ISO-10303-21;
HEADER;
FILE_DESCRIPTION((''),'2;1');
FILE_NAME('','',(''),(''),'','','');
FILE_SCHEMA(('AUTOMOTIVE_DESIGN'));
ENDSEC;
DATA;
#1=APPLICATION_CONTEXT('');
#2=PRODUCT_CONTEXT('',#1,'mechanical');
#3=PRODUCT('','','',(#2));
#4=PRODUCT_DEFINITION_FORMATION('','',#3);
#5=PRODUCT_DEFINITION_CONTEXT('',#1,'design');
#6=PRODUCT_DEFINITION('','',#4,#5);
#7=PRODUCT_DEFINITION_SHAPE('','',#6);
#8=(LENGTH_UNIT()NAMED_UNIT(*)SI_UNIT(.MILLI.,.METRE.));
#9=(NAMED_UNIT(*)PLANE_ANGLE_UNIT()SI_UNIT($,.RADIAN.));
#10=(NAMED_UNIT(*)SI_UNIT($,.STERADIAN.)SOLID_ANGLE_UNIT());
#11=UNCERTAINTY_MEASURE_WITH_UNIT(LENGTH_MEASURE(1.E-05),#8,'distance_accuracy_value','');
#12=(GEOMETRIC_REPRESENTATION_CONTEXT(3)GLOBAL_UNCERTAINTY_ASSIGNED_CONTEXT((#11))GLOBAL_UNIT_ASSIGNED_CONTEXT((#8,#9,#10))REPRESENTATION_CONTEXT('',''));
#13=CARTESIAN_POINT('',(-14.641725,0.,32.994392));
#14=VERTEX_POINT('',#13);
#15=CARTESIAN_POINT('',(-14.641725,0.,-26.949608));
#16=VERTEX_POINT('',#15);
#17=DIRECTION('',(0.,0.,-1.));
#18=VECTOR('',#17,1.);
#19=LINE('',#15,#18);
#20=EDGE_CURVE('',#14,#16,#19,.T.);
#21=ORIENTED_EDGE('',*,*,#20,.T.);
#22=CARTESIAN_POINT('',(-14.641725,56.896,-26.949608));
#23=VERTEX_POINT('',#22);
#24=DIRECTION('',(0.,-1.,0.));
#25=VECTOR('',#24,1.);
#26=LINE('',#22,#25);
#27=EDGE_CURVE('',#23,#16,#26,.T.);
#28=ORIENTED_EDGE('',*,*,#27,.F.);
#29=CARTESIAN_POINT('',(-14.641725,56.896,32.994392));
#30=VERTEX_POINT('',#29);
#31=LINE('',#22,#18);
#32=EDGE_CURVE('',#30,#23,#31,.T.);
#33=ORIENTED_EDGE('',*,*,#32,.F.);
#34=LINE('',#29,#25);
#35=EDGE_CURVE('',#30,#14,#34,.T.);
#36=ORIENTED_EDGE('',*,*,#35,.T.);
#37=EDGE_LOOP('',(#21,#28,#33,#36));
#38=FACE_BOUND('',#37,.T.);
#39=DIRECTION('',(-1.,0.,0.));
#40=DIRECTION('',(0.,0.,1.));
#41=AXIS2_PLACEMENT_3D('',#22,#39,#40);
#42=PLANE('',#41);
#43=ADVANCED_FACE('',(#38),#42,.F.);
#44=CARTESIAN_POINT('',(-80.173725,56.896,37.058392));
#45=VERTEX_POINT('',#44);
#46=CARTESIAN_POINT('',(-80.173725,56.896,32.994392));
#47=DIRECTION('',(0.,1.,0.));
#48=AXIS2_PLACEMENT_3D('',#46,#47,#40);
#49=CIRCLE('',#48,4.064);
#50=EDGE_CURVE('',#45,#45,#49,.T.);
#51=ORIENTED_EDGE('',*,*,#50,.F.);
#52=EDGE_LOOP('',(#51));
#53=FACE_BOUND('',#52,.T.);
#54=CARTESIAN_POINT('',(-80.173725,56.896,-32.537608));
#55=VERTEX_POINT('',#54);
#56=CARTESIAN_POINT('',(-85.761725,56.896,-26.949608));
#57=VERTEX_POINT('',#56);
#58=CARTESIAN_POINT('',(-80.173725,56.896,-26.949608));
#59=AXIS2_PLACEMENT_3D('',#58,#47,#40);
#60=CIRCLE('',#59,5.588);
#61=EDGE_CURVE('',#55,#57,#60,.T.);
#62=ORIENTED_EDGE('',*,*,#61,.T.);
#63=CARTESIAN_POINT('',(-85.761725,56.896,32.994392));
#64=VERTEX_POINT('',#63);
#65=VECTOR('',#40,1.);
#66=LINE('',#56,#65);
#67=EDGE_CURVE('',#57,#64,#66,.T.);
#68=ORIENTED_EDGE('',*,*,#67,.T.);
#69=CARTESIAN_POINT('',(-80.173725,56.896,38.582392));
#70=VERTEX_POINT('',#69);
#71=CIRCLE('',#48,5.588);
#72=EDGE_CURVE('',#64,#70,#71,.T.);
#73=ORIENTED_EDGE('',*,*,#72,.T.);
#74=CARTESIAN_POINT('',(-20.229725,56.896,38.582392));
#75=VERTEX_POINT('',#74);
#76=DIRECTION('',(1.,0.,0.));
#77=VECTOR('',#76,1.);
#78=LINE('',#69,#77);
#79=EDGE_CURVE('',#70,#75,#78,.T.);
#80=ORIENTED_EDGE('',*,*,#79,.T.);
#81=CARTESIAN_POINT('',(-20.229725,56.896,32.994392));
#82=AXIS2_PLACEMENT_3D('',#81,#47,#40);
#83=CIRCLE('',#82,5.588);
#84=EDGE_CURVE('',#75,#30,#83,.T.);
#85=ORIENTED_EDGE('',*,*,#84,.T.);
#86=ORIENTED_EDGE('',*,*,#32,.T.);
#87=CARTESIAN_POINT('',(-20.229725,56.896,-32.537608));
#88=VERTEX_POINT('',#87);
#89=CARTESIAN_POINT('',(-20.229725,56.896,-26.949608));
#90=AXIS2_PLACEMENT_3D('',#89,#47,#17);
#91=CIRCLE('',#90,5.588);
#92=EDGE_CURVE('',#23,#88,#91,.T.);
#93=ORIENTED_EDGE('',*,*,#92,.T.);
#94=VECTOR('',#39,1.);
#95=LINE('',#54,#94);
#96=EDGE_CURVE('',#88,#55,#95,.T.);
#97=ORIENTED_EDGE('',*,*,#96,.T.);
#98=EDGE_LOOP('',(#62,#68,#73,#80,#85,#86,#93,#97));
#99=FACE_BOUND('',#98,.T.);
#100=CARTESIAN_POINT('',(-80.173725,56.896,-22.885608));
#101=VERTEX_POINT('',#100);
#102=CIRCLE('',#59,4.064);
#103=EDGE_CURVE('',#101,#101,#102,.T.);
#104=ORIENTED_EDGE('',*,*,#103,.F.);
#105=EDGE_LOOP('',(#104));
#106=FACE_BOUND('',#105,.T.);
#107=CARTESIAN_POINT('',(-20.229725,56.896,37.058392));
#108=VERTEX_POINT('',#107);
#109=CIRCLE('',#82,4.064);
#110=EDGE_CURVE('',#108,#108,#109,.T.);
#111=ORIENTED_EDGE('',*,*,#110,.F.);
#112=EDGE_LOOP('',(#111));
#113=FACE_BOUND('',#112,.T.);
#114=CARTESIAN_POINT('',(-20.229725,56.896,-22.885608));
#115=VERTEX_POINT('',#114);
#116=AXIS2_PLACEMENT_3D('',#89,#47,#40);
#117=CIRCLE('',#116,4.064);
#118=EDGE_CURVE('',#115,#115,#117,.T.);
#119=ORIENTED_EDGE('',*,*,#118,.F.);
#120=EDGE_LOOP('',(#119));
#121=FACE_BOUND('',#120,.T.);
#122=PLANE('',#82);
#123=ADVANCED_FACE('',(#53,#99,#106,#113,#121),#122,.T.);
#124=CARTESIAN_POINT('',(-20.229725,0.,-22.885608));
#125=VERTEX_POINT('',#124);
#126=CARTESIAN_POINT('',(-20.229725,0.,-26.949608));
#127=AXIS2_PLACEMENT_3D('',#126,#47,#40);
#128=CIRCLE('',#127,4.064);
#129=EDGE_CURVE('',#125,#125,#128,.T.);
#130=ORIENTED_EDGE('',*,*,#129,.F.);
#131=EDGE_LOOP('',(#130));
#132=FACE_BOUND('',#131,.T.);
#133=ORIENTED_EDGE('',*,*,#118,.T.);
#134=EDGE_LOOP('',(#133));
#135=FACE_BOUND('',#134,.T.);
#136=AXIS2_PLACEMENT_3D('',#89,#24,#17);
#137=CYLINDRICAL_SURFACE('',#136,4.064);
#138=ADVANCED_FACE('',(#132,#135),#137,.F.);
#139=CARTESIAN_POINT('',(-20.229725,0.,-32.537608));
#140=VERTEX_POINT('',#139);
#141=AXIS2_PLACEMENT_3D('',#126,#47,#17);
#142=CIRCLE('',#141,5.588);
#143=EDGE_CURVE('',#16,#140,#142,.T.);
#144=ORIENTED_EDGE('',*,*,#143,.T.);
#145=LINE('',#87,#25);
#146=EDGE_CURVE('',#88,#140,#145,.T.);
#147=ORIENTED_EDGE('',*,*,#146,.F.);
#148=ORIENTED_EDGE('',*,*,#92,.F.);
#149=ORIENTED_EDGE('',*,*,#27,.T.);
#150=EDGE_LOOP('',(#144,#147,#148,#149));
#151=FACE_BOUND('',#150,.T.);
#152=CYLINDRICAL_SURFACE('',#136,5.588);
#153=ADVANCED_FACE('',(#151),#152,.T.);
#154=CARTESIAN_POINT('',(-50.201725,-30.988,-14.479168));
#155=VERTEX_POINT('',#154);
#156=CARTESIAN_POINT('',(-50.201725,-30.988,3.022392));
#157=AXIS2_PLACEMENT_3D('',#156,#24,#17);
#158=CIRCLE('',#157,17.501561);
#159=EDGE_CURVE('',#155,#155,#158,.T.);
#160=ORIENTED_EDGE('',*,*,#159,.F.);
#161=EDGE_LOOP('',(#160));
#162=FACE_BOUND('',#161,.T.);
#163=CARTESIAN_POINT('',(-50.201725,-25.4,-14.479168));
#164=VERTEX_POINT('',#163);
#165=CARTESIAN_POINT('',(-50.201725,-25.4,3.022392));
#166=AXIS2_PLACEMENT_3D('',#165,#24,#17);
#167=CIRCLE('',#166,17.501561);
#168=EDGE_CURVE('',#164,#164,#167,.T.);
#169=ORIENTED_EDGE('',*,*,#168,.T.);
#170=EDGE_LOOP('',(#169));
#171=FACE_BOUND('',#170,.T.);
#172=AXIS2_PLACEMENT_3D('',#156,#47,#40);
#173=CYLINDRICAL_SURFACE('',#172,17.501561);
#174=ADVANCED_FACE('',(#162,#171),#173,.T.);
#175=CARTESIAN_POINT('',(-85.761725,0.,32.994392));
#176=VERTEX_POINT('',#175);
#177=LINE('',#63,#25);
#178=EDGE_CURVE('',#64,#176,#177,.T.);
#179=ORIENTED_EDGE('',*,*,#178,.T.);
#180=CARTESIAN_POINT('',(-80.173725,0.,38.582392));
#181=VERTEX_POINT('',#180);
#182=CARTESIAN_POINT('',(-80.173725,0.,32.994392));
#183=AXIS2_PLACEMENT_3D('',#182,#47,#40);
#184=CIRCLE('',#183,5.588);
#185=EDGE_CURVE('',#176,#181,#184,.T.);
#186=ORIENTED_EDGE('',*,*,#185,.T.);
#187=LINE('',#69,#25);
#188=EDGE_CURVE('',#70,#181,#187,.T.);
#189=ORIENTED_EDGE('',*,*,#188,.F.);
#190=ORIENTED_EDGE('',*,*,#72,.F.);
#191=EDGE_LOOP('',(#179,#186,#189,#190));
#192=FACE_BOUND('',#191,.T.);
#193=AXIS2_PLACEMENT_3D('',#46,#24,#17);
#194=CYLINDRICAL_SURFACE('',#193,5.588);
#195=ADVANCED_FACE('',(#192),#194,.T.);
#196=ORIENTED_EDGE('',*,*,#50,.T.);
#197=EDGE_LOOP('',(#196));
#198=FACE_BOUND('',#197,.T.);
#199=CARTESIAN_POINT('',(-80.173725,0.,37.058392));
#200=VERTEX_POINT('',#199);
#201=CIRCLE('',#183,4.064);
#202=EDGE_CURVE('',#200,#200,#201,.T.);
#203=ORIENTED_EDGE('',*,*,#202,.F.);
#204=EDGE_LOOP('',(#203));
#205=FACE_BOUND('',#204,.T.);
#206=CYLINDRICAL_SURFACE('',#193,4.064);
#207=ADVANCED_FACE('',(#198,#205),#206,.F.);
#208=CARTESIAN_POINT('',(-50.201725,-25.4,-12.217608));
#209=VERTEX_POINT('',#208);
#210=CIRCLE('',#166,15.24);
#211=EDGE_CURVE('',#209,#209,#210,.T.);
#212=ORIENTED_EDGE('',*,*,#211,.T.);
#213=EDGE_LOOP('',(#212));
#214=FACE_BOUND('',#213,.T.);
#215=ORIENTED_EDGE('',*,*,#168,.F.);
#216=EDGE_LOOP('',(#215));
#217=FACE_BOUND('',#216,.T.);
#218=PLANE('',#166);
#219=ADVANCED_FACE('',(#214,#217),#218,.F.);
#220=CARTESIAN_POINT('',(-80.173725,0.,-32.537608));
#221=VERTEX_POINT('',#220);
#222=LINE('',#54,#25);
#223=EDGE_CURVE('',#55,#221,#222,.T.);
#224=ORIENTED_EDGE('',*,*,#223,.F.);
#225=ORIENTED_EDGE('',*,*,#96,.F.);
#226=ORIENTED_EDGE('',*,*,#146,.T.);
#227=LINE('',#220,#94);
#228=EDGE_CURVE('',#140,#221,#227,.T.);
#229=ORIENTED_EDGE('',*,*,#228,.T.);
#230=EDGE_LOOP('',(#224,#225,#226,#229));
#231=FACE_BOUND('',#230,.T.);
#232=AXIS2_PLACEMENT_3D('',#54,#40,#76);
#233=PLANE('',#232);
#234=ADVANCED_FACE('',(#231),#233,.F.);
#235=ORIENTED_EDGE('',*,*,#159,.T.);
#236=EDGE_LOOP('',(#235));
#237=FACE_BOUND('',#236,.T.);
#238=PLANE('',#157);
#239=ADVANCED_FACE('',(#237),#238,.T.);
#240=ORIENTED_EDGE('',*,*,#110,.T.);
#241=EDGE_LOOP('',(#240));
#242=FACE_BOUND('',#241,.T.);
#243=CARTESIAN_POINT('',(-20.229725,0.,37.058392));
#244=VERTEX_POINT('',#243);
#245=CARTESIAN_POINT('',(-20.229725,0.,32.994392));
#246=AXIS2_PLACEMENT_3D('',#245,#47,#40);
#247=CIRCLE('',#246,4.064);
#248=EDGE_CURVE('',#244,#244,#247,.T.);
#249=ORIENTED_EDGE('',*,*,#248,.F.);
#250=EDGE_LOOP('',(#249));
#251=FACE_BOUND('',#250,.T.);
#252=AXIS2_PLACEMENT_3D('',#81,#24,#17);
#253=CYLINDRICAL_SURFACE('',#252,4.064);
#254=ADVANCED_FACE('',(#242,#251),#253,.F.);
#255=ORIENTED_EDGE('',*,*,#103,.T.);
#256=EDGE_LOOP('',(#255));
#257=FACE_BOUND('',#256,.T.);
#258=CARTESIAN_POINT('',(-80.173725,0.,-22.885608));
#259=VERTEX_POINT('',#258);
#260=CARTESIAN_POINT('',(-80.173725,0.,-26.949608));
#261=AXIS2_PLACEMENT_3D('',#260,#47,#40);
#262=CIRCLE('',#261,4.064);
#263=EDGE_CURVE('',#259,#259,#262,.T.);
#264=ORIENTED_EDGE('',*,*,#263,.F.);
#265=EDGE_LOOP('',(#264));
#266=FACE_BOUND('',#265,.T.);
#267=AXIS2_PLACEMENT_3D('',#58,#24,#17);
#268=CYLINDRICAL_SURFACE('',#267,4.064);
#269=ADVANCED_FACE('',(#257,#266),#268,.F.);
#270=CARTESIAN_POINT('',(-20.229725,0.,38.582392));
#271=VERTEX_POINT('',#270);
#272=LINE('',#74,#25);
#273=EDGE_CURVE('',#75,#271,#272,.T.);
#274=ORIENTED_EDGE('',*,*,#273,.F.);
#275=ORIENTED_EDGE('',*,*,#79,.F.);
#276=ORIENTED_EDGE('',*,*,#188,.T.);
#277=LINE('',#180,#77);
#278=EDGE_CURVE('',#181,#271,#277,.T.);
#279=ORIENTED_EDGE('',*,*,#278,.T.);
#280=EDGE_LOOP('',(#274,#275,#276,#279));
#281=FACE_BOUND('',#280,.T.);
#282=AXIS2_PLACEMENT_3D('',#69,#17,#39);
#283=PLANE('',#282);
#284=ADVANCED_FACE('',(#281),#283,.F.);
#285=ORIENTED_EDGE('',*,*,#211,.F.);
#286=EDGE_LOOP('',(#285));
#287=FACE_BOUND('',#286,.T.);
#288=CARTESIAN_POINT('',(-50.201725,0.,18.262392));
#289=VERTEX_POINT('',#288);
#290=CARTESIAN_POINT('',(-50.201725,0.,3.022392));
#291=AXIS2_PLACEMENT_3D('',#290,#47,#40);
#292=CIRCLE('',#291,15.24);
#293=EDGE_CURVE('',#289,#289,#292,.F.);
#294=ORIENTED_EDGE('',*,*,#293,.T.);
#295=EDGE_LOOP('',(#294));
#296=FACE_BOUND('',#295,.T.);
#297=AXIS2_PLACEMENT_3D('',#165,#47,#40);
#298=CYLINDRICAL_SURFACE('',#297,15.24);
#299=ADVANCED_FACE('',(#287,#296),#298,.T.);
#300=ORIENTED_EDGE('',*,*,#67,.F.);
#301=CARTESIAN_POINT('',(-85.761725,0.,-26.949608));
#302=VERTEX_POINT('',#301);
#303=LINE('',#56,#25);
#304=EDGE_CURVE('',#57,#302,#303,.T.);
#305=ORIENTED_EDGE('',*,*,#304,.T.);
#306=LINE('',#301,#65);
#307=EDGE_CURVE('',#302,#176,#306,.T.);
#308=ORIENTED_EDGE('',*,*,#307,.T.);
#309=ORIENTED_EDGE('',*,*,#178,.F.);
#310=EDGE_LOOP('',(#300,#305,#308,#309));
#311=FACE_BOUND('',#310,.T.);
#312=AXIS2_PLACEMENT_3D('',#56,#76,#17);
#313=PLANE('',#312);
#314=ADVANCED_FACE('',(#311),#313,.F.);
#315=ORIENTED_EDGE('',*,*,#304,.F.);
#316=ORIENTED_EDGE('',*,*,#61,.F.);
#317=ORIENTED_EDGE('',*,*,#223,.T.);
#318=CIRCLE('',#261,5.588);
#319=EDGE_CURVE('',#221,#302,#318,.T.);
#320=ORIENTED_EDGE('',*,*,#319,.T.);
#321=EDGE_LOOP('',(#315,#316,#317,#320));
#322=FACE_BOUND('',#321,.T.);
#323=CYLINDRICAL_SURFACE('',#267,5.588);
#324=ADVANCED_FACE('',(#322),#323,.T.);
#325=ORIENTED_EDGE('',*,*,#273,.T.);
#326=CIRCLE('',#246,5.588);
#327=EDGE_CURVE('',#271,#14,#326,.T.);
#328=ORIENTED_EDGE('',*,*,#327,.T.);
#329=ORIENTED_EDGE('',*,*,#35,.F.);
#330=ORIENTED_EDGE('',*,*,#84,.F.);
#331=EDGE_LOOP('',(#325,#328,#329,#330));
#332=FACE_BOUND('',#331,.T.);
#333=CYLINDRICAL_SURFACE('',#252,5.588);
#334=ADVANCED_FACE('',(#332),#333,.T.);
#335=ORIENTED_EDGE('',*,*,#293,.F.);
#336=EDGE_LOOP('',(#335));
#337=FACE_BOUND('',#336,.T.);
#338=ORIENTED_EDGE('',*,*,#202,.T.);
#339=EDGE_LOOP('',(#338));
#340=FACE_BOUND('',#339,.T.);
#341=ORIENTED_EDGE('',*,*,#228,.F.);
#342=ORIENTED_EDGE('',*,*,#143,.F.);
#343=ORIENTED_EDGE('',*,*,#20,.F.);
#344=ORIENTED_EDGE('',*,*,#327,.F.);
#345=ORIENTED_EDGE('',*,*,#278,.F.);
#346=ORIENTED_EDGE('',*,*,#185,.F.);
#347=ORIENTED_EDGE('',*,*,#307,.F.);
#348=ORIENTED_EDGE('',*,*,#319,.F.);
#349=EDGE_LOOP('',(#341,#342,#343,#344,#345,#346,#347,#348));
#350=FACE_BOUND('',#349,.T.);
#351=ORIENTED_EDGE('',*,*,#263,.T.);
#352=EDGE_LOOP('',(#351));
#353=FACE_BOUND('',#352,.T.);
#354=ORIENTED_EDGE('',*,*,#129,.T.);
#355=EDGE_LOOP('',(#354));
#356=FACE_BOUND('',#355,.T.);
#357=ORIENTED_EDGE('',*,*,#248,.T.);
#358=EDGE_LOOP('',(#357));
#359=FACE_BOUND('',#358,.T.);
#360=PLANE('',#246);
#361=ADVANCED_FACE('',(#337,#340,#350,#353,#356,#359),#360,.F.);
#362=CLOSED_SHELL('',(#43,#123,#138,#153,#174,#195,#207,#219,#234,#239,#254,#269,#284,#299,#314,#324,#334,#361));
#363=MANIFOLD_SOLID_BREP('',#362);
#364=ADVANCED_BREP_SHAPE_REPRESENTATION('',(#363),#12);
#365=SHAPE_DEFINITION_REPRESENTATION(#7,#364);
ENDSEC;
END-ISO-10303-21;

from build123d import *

# Parameters (mm, degrees)
SKETCH1_R           = 4.064
BOSS_EXTRUDE1_DEPTH = 56.896
SKETCH2_R           = 15.24
BOSS_EXTRUDE2_DEPTH = 25.4
SKETCH3_R           = 17.501560838
BOSS_EXTRUDE3_DEPTH = 5.588


with BuildPart() as part:
    # Sketch1 → Boss-Extrude1 (new body)
    with BuildSketch(Plane(origin=(0, 0, 0), x_dir=(1, 0, 0), z_dir=(0, 1, 0))):
        with BuildLine():
            Line((-80.173724845, 32.537607562), (-20.229724845, 32.537607562))
            ThreePointArc((-20.229724845, 32.537607562), (-16.278412152, 30.900920256), (-14.641724845, 26.949607562))
            Line((-14.641724845, 26.949607562), (-14.641724845, -32.994392438))
            ThreePointArc((-14.641724845, -32.994392438), (-16.278412152, -36.945705131), (-20.229724845, -38.582392438))
            Line((-20.229724845, -38.582392438), (-80.173724845, -38.582392438))
            ThreePointArc((-80.173724845, -38.582392438), (-84.125037539, -36.945705131), (-85.761724845, -32.994392438))
            Line((-85.761724845, -32.994392438), (-85.761724845, 26.949607562))
            ThreePointArc((-85.761724845, 26.949607562), (-84.125037539, 30.900920256), (-80.173724845, 32.537607562))
        make_face()
        with Locations((-80.173724845, 26.949607562)):
            Circle(SKETCH1_R, mode=Mode.SUBTRACT)
        with Locations((-80.173724845, -32.994392438)):
            Circle(SKETCH1_R, mode=Mode.SUBTRACT)
        with Locations((-20.229724845, 26.949607562)):
            Circle(SKETCH1_R, mode=Mode.SUBTRACT)
        with Locations((-20.229724845, -32.994392438)):
            Circle(SKETCH1_R, mode=Mode.SUBTRACT)
    extrude(amount=BOSS_EXTRUDE1_DEPTH)

    # Sketch2 → Boss-Extrude2 (add)
    with BuildSketch(Plane.XZ):
        with Locations((-50.201724845, 3.022392438)):
            Circle(SKETCH2_R)
    extrude(amount=BOSS_EXTRUDE2_DEPTH)

    # Sketch3 → Boss-Extrude3 (add)
    with BuildSketch(Plane.XZ.offset(25.4)):
        with Locations((-50.201724845, 3.022392438)):
            Circle(SKETCH3_R)
    extrude(amount=BOSS_EXTRUDE3_DEPTH)


solid = part.part
